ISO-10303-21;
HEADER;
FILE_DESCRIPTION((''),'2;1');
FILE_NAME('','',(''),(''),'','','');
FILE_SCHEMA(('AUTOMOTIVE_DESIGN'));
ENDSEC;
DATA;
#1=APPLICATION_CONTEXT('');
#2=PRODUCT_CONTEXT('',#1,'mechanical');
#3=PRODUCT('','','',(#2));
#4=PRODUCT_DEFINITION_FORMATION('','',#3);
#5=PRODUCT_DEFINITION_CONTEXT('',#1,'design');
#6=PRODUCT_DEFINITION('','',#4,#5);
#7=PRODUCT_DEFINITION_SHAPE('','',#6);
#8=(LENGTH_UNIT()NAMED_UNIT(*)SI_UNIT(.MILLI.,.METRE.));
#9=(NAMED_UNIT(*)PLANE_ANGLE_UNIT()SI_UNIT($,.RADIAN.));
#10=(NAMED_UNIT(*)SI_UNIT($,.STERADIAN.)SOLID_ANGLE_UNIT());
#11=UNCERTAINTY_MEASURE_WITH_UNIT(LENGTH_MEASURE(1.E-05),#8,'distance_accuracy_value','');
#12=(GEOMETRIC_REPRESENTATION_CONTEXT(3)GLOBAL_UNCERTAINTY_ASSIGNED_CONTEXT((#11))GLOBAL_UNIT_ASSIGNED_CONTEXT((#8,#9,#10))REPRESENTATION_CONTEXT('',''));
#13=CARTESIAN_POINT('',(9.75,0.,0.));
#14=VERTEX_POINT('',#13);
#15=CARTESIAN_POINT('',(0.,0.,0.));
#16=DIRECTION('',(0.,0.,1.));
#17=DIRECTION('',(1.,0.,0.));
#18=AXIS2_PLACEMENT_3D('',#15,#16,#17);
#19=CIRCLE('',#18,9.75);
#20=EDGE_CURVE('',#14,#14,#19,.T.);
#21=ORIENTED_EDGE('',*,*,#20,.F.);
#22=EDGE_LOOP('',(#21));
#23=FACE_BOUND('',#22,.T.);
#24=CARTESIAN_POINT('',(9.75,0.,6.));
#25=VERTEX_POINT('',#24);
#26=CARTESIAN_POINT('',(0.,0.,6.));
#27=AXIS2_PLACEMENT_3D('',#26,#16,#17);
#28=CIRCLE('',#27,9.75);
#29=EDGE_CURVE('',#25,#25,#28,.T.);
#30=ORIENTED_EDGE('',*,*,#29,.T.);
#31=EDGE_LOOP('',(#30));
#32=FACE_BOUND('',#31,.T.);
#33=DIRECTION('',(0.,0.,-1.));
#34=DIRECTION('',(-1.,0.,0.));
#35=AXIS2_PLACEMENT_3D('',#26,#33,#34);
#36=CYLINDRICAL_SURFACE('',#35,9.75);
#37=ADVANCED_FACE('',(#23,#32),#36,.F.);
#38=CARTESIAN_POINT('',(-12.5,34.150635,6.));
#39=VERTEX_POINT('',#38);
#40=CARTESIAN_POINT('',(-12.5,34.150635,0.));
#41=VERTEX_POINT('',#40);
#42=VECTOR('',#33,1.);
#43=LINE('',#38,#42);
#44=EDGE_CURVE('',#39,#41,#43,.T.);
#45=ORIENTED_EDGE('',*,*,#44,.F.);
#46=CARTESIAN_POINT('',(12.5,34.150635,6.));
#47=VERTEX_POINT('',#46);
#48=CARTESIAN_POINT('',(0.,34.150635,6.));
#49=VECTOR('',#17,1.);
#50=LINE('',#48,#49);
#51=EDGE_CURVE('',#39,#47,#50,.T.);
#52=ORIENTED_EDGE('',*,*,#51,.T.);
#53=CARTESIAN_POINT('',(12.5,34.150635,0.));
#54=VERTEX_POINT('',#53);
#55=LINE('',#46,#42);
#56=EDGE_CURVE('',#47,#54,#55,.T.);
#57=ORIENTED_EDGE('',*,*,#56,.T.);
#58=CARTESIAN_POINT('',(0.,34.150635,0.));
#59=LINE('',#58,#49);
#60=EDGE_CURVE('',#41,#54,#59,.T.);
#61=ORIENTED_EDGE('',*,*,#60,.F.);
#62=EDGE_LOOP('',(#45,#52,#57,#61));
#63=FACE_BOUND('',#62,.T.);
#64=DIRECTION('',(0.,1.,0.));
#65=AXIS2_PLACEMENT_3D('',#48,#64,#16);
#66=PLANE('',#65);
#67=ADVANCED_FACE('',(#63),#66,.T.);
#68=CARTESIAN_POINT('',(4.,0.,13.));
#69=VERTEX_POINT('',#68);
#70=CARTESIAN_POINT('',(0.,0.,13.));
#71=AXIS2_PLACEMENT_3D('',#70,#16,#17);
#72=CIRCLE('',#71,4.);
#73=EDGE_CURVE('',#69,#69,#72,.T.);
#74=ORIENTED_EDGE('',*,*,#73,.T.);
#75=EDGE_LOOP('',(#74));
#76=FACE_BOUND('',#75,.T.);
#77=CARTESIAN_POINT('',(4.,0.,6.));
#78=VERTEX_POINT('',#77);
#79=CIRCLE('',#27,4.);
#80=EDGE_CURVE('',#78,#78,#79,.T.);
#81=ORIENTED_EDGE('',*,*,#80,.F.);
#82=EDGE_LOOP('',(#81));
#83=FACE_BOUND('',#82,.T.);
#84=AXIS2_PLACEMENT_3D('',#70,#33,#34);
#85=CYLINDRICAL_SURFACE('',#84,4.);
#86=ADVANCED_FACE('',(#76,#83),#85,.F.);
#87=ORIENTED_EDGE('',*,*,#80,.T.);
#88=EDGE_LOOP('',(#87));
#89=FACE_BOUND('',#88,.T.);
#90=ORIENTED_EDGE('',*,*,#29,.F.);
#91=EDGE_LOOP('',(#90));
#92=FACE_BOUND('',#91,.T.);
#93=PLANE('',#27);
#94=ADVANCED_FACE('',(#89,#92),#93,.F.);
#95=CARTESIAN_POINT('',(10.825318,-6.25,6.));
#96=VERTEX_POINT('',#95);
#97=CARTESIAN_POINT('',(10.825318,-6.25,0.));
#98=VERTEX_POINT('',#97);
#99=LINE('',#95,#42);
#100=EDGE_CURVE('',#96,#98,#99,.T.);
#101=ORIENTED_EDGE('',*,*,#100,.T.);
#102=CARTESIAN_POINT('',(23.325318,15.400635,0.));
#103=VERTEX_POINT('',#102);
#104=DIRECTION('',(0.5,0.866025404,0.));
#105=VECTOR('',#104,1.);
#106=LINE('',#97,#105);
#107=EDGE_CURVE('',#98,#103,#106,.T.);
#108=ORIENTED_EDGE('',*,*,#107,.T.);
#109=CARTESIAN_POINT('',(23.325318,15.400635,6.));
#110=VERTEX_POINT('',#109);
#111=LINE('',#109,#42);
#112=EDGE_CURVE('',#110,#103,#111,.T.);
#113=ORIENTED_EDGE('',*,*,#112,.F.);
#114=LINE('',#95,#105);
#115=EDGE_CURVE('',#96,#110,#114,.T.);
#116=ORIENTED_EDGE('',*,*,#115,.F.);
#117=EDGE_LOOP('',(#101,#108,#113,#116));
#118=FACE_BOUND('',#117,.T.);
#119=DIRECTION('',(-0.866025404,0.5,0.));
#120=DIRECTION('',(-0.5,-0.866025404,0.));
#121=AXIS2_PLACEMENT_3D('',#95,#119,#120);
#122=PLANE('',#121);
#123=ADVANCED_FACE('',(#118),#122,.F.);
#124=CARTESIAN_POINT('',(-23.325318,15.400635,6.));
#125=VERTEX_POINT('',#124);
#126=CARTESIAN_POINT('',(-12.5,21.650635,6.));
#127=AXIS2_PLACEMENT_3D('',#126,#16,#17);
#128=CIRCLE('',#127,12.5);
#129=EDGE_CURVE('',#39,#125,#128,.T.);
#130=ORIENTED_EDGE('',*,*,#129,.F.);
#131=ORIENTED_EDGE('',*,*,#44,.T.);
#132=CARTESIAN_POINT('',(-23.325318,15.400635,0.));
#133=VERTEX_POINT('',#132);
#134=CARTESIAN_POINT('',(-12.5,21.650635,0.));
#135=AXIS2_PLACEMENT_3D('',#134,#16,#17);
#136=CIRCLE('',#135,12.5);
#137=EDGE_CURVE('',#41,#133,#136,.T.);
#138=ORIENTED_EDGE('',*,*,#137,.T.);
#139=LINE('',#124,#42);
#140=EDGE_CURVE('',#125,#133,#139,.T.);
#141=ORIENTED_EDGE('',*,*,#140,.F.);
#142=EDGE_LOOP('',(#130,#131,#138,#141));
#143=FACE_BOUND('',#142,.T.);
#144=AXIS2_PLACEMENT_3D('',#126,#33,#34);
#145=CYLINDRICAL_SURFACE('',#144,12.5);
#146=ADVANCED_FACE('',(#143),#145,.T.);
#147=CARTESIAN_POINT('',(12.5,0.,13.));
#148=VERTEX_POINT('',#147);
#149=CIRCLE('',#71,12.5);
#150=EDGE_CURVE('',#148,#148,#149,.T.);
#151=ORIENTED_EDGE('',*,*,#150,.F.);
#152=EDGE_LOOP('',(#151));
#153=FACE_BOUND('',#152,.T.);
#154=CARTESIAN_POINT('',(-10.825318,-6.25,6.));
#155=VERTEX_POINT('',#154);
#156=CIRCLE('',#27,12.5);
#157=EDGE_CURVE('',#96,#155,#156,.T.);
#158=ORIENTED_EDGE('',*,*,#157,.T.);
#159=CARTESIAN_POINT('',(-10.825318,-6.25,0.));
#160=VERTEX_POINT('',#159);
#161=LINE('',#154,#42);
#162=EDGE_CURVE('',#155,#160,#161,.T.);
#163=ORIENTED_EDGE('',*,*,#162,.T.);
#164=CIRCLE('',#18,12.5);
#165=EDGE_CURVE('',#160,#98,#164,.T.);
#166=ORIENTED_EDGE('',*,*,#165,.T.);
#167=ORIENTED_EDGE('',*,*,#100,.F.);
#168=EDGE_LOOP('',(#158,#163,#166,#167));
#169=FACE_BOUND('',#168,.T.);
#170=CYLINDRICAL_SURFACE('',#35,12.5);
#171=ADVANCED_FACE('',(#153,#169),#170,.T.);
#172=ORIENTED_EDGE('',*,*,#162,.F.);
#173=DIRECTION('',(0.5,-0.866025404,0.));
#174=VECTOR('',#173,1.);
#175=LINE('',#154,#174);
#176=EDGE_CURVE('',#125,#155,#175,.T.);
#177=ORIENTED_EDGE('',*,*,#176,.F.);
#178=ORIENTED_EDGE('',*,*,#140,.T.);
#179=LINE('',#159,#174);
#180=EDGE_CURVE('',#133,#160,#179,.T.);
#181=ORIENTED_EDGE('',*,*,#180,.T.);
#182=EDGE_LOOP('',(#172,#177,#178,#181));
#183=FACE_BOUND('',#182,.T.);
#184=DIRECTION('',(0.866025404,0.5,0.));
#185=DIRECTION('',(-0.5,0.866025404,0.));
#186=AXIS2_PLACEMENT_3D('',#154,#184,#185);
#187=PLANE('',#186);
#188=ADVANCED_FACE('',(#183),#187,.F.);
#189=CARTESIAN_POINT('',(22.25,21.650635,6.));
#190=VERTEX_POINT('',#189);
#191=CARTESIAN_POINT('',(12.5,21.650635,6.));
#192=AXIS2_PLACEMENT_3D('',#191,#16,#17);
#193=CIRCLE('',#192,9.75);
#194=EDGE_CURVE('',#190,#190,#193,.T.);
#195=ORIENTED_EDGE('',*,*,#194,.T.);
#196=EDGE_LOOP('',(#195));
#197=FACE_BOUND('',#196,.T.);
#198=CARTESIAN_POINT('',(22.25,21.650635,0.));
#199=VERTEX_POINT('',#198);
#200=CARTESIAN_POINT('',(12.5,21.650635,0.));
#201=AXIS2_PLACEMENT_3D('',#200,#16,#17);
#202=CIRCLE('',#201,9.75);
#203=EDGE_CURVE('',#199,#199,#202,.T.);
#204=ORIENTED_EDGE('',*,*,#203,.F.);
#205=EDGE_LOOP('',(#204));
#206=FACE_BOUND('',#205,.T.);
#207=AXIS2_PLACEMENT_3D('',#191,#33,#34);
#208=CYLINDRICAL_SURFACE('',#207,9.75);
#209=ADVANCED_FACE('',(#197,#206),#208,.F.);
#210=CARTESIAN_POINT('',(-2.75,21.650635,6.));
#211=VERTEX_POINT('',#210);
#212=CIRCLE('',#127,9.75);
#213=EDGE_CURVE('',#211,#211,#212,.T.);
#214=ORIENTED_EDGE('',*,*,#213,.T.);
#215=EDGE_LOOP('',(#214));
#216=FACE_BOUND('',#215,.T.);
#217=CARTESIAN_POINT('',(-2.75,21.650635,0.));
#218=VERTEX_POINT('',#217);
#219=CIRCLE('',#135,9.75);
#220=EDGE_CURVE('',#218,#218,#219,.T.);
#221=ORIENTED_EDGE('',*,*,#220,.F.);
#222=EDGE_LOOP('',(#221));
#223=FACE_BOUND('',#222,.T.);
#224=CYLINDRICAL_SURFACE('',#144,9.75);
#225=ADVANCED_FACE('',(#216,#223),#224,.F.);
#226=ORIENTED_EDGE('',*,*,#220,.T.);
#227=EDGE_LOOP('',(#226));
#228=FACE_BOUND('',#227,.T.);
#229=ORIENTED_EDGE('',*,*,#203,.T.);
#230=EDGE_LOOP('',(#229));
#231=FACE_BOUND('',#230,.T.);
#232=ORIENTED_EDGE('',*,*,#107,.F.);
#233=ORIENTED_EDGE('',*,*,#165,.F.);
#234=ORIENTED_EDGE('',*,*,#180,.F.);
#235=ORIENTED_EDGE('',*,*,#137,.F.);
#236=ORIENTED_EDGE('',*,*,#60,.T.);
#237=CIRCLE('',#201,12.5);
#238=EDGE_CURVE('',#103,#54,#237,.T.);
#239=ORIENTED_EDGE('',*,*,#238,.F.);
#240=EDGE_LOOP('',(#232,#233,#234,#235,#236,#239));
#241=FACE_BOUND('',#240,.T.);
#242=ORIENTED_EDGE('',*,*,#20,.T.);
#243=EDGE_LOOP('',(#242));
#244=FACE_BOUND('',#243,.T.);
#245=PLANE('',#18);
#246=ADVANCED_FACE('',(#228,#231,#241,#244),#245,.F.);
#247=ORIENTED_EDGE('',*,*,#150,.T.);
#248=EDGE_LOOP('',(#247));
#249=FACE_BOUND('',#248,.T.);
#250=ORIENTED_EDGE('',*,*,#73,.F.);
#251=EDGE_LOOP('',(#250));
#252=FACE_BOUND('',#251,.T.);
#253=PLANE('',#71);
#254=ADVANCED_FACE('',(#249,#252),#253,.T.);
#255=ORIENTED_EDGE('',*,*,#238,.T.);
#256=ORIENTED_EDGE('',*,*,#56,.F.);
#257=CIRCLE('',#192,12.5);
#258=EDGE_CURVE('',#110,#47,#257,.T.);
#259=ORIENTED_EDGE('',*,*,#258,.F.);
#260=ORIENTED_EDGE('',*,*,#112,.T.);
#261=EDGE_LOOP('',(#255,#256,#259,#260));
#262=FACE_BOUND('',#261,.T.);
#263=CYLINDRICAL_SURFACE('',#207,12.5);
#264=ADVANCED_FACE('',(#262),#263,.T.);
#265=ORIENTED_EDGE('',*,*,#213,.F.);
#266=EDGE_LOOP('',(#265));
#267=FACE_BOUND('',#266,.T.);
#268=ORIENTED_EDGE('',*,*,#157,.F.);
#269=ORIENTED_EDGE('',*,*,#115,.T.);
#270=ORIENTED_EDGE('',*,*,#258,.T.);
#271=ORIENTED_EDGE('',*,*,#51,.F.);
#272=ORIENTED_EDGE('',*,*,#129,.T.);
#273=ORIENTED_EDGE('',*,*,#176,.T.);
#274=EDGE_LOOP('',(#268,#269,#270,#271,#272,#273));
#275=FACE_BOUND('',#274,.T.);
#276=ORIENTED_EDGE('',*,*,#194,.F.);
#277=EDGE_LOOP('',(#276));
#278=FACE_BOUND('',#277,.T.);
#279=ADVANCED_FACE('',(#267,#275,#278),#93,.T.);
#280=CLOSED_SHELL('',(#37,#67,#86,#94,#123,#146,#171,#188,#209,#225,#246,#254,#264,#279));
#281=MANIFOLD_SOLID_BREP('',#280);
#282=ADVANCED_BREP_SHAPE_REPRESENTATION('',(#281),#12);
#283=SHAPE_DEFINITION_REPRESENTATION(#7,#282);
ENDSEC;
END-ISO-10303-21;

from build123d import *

# Parameters (mm, degrees)
CROQUIS1_R              = 9.75
SALIENTE_EXTRUIR1_DEPTH = 6
CROQUIS2_R              = 12.5
CROQUIS2_R_2            = 4
SALIENTE_EXTRUIR3_DEPTH = 7


with BuildPart() as part:
    # Croquis1 → Saliente-Extruir1 (new body)
    with BuildSketch(Plane.XY):
        with BuildLine():
            Line((-23.325317547, 15.400635095), (-10.825317547, -6.25))
            ThreePointArc((-10.825317547, -6.25), (0, -12.5), (10.825317547, -6.25))
            Line((10.825317547, -6.25), (23.325317547, 15.400635095))
            ThreePointArc((23.325317547, 15.400635095), (23.325317547, 27.900635095), (12.5, 34.150635095))
            Line((12.5, 34.150635095), (-12.5, 34.150635095))
            ThreePointArc((-12.5, 34.150635095), (-23.325317547, 27.900635095), (-23.325317547, 15.400635095))
        make_face()
        Circle(CROQUIS1_R, mode=Mode.SUBTRACT)
        with Locations((12.5, 21.650635095)):
            Circle(CROQUIS1_R, mode=Mode.SUBTRACT)
        with Locations((-12.5, 21.650635095)):
            Circle(CROQUIS1_R, mode=Mode.SUBTRACT)
    extrude(amount=SALIENTE_EXTRUIR1_DEPTH)

    # Croquis2 → Saliente-Extruir3 (add)
    with BuildSketch(Plane.XY.offset(6)):
        Circle(CROQUIS2_R)
        Circle(CROQUIS2_R_2, mode=Mode.SUBTRACT)
    extrude(amount=SALIENTE_EXTRUIR3_DEPTH)


solid = part.part
